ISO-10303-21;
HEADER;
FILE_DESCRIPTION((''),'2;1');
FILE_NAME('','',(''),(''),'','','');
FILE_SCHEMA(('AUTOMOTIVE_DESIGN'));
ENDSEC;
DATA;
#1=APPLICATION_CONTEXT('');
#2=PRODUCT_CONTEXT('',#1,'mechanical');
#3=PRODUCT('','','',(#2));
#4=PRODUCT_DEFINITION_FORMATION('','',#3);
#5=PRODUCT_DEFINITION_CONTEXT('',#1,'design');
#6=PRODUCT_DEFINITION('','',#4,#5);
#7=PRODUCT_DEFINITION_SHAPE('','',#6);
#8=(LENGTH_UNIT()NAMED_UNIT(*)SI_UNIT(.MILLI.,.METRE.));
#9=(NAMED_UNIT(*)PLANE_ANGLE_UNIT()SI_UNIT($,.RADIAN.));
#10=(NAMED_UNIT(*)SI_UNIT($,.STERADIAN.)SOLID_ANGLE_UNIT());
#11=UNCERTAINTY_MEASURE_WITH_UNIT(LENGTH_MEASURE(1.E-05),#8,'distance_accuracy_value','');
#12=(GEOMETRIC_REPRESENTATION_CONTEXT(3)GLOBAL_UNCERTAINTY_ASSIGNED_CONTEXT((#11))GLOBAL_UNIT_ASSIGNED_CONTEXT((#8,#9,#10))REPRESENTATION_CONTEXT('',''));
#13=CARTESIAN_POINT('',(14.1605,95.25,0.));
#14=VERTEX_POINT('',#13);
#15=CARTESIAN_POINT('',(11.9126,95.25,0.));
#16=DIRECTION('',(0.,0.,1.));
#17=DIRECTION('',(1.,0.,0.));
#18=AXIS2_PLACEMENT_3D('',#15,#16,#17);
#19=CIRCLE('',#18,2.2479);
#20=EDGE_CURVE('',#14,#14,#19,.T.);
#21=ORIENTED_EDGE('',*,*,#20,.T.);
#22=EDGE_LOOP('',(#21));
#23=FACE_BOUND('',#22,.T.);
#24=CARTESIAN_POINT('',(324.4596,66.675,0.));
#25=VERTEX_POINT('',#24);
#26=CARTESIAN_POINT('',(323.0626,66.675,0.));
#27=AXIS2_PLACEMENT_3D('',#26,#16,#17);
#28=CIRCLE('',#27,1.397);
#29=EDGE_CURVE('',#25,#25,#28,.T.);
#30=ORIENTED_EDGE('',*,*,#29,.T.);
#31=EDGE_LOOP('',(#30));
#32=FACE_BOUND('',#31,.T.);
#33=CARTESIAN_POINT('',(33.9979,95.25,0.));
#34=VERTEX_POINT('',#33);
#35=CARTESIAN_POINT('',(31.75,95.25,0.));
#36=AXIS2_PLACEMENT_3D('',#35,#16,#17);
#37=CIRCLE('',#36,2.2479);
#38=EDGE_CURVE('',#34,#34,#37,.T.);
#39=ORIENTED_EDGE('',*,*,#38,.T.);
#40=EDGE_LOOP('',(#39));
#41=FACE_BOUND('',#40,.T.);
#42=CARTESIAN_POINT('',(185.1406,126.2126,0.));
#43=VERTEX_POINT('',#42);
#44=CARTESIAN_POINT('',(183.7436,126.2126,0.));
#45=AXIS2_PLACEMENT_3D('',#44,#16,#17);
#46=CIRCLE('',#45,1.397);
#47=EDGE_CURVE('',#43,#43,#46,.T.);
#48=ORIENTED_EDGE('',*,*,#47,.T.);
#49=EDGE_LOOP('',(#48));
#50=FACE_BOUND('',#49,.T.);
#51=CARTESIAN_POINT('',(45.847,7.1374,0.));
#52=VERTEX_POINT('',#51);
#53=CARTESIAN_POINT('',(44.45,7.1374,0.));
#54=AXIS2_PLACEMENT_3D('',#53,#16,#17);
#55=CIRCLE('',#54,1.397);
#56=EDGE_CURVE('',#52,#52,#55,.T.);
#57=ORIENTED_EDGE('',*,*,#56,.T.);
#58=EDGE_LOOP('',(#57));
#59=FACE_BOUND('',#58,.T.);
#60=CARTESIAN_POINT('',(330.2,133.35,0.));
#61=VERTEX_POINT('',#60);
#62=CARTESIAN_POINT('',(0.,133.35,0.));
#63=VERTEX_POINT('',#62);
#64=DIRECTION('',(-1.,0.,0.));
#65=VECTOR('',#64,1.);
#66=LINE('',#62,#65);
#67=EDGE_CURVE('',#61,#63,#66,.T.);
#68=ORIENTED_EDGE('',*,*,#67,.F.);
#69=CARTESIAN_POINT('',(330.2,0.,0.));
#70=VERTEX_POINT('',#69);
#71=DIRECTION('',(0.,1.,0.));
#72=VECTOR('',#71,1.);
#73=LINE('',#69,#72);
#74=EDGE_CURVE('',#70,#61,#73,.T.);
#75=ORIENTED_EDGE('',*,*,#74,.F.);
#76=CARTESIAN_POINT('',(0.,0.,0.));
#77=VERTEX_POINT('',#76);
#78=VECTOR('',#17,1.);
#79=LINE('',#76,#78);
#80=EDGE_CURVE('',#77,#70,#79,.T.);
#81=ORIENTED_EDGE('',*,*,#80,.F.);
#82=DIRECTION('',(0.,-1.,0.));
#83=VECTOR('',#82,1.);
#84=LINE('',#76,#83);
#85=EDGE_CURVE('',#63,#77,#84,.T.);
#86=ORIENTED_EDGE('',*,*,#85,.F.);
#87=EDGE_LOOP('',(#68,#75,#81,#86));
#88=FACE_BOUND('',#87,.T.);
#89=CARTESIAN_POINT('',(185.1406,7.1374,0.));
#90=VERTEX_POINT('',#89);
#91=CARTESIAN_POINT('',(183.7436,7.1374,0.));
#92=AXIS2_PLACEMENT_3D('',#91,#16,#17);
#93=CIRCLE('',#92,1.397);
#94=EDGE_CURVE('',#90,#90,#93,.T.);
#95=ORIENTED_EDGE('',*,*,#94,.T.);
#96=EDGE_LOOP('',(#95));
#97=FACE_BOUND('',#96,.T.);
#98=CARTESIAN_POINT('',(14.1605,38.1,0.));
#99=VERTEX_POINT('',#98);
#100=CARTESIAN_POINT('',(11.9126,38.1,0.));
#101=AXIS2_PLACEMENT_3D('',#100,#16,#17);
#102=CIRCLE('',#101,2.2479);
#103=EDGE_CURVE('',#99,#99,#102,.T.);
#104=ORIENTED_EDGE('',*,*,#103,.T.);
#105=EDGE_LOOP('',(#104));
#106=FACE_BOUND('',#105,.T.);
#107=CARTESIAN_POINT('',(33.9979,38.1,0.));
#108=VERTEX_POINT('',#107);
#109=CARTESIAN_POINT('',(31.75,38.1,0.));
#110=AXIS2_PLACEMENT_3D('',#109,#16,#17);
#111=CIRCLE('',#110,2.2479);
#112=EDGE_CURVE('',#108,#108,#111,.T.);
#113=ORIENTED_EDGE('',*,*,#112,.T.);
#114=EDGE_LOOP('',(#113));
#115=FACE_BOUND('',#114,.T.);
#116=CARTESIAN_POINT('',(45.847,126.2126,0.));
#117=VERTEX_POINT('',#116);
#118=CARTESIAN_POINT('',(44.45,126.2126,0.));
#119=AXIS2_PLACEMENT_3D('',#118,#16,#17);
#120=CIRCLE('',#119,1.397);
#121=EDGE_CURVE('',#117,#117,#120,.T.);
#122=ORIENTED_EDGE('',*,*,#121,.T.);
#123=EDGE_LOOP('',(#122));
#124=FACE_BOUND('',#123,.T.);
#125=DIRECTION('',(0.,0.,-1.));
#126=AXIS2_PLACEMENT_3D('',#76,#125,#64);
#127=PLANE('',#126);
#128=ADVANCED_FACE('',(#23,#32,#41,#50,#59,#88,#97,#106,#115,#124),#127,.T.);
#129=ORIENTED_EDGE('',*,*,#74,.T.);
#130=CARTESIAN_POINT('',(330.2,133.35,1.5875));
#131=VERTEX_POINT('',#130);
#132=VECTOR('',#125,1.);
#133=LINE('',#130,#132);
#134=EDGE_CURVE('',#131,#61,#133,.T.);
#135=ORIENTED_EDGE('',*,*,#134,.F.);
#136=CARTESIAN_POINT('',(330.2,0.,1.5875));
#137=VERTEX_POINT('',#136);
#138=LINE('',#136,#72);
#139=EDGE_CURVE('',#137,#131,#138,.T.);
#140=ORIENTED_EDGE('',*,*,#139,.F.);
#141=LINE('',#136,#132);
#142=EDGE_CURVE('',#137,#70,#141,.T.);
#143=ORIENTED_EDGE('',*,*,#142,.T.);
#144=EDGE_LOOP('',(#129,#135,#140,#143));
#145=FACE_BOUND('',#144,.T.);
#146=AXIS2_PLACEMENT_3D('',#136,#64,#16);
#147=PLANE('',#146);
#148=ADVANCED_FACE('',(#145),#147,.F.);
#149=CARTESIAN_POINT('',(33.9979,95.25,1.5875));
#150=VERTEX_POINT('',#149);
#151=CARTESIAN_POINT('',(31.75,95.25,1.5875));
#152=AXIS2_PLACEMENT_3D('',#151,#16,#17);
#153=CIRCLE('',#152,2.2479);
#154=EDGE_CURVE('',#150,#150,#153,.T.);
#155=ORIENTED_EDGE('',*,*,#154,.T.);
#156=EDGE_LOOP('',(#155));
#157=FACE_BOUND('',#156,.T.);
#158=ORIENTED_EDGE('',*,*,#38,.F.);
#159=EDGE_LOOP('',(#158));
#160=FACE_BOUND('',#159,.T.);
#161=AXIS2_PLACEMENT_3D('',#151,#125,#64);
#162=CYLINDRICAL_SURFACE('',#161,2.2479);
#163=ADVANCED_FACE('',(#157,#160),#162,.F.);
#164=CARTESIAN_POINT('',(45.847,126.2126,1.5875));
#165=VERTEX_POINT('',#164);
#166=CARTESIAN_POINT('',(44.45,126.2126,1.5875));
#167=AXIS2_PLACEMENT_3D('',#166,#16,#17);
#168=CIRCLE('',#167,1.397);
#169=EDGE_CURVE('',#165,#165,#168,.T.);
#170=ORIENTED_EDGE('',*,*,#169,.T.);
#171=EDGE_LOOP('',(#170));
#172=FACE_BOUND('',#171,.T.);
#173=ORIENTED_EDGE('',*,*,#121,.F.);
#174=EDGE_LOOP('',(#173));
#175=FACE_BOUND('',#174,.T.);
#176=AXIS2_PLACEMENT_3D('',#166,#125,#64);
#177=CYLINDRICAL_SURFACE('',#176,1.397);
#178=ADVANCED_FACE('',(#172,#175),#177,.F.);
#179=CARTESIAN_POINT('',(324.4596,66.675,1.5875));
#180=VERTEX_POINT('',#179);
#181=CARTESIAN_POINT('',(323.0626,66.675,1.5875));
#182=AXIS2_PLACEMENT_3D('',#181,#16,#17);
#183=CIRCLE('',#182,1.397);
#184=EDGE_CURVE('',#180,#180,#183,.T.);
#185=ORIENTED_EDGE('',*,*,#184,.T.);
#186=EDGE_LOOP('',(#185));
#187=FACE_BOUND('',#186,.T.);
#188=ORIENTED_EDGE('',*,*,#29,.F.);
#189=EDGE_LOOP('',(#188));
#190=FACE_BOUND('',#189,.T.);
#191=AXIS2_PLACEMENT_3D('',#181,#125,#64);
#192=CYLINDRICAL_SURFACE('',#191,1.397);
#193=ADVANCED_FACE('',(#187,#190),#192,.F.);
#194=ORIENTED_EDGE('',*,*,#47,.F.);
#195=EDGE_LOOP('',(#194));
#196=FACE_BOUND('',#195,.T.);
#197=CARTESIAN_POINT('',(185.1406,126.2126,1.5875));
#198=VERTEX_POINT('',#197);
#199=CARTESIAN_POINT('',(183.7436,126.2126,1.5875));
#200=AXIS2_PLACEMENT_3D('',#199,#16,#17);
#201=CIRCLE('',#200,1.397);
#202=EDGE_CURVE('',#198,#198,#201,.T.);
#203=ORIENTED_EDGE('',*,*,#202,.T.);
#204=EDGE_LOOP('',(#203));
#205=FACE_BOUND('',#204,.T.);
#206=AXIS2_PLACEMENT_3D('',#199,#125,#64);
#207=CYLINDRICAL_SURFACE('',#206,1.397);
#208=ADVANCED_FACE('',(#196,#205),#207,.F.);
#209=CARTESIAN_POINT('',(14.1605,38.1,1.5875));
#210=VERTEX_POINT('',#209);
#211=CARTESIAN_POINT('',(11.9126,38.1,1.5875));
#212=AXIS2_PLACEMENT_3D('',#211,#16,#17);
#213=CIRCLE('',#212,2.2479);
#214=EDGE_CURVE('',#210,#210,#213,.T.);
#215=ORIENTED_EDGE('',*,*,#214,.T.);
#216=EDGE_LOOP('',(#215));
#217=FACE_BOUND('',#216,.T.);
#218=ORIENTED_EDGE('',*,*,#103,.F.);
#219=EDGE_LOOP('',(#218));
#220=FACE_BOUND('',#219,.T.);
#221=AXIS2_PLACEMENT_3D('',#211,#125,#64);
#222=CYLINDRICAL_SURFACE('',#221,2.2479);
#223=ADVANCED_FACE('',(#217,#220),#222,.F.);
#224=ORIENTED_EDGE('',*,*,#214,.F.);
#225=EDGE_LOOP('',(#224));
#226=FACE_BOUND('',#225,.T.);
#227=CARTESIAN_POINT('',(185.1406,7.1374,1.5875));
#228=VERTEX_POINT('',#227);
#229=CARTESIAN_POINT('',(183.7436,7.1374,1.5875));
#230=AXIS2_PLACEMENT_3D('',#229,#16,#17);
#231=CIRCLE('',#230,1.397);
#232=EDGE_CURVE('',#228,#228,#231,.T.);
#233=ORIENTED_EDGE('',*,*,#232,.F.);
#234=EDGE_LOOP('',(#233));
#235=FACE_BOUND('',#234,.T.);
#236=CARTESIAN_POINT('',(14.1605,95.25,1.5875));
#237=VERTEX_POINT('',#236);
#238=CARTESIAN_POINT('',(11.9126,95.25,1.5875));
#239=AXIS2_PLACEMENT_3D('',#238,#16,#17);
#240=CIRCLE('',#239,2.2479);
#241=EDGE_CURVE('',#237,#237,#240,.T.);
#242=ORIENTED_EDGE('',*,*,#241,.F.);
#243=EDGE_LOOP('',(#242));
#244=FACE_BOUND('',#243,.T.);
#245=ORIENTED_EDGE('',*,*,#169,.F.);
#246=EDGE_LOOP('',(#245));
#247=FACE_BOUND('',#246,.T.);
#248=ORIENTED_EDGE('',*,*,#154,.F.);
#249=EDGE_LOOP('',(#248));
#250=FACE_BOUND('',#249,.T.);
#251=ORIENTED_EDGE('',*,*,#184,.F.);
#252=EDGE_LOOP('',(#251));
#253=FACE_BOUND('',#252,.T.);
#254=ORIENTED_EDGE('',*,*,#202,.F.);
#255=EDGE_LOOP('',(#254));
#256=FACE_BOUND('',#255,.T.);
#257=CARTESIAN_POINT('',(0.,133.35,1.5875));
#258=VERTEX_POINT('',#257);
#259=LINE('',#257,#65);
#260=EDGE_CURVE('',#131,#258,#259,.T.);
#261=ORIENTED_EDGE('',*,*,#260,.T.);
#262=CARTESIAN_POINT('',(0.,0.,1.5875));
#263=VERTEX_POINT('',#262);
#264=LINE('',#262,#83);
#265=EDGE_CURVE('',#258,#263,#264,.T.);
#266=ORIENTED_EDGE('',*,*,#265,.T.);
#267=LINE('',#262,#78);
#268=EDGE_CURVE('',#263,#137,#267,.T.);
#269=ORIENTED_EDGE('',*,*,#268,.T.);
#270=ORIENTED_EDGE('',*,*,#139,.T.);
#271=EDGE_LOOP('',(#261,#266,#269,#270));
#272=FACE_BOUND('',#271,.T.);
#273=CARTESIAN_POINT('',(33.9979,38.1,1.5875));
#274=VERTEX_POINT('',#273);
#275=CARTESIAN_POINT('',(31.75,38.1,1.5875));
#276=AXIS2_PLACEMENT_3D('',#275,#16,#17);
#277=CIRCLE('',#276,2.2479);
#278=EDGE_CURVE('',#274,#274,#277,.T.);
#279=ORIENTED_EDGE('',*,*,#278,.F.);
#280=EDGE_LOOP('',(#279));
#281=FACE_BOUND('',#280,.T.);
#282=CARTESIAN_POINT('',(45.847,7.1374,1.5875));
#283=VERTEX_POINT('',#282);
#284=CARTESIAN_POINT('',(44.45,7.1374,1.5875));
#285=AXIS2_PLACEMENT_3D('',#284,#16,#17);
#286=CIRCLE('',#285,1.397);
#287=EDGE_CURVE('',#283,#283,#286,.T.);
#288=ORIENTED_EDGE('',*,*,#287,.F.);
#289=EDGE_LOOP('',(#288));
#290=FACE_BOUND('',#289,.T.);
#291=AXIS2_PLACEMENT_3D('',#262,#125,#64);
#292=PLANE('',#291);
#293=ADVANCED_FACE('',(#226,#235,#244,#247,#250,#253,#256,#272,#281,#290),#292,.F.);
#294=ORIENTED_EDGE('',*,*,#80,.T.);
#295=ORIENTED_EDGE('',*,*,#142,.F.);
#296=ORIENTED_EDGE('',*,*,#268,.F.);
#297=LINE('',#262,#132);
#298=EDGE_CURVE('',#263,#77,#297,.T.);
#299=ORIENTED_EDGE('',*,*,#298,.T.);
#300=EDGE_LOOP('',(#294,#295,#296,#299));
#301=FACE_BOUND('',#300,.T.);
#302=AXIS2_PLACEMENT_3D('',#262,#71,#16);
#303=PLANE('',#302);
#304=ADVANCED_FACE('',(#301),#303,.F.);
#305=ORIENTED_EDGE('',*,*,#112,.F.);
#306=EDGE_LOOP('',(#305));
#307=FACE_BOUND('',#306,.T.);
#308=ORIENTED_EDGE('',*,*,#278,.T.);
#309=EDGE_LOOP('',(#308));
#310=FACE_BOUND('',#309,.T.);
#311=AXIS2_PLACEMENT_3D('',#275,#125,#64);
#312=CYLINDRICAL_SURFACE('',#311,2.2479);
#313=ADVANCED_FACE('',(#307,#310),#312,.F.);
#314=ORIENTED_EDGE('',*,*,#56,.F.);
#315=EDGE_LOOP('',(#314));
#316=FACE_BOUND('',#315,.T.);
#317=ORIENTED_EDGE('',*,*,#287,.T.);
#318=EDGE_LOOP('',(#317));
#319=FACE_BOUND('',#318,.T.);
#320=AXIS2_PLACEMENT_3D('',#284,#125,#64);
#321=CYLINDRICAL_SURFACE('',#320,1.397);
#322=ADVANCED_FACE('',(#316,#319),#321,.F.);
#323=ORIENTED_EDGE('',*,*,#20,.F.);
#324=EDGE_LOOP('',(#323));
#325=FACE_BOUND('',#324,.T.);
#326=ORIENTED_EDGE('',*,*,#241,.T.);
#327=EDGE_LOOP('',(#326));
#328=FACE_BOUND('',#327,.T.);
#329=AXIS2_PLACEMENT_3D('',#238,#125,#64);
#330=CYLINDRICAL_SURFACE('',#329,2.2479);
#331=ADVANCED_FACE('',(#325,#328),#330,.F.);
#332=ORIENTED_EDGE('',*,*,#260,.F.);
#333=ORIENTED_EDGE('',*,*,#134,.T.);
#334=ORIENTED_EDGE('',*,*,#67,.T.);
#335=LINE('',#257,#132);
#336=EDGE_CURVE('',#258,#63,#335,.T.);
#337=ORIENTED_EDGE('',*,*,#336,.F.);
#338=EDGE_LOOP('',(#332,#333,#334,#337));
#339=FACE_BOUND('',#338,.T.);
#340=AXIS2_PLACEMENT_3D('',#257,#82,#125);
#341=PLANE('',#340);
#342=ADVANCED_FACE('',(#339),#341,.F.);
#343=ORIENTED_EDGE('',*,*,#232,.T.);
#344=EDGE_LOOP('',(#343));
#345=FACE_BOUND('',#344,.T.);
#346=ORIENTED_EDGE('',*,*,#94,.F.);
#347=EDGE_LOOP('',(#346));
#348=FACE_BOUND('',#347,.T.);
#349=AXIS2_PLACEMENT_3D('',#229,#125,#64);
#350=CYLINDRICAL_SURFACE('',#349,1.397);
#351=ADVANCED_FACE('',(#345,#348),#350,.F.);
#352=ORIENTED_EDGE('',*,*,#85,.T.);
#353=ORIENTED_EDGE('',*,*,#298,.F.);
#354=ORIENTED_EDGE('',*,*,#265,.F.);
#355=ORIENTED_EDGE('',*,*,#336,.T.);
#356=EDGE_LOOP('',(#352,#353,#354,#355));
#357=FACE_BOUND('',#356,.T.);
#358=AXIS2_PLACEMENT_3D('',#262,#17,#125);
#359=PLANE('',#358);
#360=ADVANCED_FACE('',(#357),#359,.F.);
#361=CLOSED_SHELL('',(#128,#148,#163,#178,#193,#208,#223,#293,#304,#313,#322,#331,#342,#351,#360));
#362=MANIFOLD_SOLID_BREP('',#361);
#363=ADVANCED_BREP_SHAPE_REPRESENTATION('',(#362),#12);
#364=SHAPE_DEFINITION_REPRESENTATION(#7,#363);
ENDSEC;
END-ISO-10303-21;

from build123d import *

# Parameters (mm, degrees)
SKETCH1_W           = 330.2
SKETCH1_H           = 133.35
SKETCH1_R           = 1.397
SKETCH1_R_2         = 2.2479
BOSS_EXTRUDE1_DEPTH = 1.5875


with BuildPart() as part:
    # Sketch1 → Boss-Extrude1 (new body)
    with BuildSketch(Plane.XY):
        with Locations((165.1, 66.675)):
            Rectangle(SKETCH1_W, SKETCH1_H)
        with Locations((323.0626, 66.675)):
            Circle(SKETCH1_R, mode=Mode.SUBTRACT)
        with Locations((183.7436, 126.2126)):
            Circle(SKETCH1_R, mode=Mode.SUBTRACT)
        with Locations((44.45, 126.2126)):
            Circle(SKETCH1_R, mode=Mode.SUBTRACT)
        with Locations((183.7436, 7.1374)):
            Circle(SKETCH1_R, mode=Mode.SUBTRACT)
        with Locations((44.45, 7.1374)):
            Circle(SKETCH1_R, mode=Mode.SUBTRACT)
        with Locations((11.9126, 95.25)):
            Circle(SKETCH1_R_2, mode=Mode.SUBTRACT)
        with Locations((11.9126, 38.1)):
            Circle(SKETCH1_R_2, mode=Mode.SUBTRACT)
        with Locations((31.75, 95.25)):
            Circle(SKETCH1_R_2, mode=Mode.SUBTRACT)
        with Locations((31.75, 38.1)):
            Circle(SKETCH1_R_2, mode=Mode.SUBTRACT)
    extrude(amount=BOSS_EXTRUDE1_DEPTH)


solid = part.part
